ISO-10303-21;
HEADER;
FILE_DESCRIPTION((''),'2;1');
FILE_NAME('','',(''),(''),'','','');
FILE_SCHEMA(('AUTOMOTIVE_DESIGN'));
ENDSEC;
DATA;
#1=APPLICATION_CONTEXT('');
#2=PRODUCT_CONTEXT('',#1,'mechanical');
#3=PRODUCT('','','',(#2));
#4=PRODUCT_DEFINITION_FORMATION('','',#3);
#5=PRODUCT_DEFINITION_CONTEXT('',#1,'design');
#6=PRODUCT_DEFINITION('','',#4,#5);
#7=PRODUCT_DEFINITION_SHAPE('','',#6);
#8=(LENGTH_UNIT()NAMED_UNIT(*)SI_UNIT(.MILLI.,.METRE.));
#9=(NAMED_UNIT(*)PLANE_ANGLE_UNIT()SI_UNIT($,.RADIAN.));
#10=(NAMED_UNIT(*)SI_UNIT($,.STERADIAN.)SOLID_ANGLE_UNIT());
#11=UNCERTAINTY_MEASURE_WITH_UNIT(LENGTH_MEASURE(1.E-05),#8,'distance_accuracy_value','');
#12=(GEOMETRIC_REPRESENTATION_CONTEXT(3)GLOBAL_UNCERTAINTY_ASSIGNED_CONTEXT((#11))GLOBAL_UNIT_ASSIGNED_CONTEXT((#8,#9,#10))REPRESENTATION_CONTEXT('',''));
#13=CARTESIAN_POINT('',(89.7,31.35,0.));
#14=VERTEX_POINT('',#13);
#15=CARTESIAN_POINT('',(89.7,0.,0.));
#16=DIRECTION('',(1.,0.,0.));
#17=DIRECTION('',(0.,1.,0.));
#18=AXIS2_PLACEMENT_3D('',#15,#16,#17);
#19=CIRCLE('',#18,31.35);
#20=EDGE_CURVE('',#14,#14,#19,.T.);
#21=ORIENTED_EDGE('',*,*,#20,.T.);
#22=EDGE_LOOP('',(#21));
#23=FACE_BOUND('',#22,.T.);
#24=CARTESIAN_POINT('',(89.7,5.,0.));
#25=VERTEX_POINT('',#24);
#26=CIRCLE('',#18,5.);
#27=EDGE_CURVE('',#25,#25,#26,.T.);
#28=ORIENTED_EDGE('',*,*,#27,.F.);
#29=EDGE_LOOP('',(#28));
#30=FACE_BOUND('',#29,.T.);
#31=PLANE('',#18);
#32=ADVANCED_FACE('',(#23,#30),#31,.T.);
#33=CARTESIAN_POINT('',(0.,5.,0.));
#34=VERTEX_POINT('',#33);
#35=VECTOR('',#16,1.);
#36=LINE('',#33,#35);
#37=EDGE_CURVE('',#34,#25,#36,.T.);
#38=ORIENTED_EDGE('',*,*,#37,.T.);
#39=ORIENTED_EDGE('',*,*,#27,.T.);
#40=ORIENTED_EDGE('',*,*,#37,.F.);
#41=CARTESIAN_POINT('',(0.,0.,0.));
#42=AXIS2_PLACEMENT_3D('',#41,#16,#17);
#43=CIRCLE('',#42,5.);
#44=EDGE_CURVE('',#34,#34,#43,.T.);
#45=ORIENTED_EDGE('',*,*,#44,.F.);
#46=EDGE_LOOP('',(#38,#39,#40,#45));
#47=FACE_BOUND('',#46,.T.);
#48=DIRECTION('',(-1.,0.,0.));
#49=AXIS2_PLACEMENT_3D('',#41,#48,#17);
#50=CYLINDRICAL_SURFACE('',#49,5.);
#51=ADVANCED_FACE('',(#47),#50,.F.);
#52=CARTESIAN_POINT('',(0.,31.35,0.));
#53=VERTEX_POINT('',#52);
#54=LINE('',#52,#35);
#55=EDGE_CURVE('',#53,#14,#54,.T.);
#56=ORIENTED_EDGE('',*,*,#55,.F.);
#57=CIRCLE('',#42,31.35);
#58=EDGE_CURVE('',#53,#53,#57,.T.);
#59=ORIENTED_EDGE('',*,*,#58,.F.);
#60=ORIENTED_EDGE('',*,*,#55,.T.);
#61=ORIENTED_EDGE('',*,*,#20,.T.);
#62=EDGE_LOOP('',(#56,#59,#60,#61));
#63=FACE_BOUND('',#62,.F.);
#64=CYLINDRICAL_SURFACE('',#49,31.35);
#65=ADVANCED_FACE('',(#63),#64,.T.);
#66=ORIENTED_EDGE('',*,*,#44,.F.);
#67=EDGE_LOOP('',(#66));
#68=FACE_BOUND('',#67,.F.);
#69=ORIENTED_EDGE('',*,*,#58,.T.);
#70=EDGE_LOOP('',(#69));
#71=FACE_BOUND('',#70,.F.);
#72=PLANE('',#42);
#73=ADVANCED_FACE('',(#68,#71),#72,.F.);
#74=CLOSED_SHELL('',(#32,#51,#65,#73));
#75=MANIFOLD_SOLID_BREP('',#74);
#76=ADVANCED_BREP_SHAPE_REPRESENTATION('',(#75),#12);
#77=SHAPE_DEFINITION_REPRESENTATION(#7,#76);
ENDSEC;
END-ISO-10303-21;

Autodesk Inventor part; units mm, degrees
ref_plane "YZ Plane" through (0, 0, 0) normal (1, 0, 0) x (0, 1, 0)
ref_plane "XZ Plane" through (0, 0, 0) normal (0, 1, 0) x (-1, 0, 0)
ref_plane "XY Plane" through (0, 0, 0) normal (0, 0, 1) x (1, 0, 0)
sketch "Skizze1" plane through (0, 0, 0) normal (1, 0, 0) x (0, 1, 0)
  circle A0 centre (0, 0) radius 5
  circle A1 centre (0, 0) radius 31.35
  dimension "d0" = 10
  dimension "d1" = 62.7
extrude "Extrusion1" add sketch "Skizze1" along normal blind 89.7
properties part number "Kunststoffrolle_antrieb" material "Polyethylen, hohe Dichte"
